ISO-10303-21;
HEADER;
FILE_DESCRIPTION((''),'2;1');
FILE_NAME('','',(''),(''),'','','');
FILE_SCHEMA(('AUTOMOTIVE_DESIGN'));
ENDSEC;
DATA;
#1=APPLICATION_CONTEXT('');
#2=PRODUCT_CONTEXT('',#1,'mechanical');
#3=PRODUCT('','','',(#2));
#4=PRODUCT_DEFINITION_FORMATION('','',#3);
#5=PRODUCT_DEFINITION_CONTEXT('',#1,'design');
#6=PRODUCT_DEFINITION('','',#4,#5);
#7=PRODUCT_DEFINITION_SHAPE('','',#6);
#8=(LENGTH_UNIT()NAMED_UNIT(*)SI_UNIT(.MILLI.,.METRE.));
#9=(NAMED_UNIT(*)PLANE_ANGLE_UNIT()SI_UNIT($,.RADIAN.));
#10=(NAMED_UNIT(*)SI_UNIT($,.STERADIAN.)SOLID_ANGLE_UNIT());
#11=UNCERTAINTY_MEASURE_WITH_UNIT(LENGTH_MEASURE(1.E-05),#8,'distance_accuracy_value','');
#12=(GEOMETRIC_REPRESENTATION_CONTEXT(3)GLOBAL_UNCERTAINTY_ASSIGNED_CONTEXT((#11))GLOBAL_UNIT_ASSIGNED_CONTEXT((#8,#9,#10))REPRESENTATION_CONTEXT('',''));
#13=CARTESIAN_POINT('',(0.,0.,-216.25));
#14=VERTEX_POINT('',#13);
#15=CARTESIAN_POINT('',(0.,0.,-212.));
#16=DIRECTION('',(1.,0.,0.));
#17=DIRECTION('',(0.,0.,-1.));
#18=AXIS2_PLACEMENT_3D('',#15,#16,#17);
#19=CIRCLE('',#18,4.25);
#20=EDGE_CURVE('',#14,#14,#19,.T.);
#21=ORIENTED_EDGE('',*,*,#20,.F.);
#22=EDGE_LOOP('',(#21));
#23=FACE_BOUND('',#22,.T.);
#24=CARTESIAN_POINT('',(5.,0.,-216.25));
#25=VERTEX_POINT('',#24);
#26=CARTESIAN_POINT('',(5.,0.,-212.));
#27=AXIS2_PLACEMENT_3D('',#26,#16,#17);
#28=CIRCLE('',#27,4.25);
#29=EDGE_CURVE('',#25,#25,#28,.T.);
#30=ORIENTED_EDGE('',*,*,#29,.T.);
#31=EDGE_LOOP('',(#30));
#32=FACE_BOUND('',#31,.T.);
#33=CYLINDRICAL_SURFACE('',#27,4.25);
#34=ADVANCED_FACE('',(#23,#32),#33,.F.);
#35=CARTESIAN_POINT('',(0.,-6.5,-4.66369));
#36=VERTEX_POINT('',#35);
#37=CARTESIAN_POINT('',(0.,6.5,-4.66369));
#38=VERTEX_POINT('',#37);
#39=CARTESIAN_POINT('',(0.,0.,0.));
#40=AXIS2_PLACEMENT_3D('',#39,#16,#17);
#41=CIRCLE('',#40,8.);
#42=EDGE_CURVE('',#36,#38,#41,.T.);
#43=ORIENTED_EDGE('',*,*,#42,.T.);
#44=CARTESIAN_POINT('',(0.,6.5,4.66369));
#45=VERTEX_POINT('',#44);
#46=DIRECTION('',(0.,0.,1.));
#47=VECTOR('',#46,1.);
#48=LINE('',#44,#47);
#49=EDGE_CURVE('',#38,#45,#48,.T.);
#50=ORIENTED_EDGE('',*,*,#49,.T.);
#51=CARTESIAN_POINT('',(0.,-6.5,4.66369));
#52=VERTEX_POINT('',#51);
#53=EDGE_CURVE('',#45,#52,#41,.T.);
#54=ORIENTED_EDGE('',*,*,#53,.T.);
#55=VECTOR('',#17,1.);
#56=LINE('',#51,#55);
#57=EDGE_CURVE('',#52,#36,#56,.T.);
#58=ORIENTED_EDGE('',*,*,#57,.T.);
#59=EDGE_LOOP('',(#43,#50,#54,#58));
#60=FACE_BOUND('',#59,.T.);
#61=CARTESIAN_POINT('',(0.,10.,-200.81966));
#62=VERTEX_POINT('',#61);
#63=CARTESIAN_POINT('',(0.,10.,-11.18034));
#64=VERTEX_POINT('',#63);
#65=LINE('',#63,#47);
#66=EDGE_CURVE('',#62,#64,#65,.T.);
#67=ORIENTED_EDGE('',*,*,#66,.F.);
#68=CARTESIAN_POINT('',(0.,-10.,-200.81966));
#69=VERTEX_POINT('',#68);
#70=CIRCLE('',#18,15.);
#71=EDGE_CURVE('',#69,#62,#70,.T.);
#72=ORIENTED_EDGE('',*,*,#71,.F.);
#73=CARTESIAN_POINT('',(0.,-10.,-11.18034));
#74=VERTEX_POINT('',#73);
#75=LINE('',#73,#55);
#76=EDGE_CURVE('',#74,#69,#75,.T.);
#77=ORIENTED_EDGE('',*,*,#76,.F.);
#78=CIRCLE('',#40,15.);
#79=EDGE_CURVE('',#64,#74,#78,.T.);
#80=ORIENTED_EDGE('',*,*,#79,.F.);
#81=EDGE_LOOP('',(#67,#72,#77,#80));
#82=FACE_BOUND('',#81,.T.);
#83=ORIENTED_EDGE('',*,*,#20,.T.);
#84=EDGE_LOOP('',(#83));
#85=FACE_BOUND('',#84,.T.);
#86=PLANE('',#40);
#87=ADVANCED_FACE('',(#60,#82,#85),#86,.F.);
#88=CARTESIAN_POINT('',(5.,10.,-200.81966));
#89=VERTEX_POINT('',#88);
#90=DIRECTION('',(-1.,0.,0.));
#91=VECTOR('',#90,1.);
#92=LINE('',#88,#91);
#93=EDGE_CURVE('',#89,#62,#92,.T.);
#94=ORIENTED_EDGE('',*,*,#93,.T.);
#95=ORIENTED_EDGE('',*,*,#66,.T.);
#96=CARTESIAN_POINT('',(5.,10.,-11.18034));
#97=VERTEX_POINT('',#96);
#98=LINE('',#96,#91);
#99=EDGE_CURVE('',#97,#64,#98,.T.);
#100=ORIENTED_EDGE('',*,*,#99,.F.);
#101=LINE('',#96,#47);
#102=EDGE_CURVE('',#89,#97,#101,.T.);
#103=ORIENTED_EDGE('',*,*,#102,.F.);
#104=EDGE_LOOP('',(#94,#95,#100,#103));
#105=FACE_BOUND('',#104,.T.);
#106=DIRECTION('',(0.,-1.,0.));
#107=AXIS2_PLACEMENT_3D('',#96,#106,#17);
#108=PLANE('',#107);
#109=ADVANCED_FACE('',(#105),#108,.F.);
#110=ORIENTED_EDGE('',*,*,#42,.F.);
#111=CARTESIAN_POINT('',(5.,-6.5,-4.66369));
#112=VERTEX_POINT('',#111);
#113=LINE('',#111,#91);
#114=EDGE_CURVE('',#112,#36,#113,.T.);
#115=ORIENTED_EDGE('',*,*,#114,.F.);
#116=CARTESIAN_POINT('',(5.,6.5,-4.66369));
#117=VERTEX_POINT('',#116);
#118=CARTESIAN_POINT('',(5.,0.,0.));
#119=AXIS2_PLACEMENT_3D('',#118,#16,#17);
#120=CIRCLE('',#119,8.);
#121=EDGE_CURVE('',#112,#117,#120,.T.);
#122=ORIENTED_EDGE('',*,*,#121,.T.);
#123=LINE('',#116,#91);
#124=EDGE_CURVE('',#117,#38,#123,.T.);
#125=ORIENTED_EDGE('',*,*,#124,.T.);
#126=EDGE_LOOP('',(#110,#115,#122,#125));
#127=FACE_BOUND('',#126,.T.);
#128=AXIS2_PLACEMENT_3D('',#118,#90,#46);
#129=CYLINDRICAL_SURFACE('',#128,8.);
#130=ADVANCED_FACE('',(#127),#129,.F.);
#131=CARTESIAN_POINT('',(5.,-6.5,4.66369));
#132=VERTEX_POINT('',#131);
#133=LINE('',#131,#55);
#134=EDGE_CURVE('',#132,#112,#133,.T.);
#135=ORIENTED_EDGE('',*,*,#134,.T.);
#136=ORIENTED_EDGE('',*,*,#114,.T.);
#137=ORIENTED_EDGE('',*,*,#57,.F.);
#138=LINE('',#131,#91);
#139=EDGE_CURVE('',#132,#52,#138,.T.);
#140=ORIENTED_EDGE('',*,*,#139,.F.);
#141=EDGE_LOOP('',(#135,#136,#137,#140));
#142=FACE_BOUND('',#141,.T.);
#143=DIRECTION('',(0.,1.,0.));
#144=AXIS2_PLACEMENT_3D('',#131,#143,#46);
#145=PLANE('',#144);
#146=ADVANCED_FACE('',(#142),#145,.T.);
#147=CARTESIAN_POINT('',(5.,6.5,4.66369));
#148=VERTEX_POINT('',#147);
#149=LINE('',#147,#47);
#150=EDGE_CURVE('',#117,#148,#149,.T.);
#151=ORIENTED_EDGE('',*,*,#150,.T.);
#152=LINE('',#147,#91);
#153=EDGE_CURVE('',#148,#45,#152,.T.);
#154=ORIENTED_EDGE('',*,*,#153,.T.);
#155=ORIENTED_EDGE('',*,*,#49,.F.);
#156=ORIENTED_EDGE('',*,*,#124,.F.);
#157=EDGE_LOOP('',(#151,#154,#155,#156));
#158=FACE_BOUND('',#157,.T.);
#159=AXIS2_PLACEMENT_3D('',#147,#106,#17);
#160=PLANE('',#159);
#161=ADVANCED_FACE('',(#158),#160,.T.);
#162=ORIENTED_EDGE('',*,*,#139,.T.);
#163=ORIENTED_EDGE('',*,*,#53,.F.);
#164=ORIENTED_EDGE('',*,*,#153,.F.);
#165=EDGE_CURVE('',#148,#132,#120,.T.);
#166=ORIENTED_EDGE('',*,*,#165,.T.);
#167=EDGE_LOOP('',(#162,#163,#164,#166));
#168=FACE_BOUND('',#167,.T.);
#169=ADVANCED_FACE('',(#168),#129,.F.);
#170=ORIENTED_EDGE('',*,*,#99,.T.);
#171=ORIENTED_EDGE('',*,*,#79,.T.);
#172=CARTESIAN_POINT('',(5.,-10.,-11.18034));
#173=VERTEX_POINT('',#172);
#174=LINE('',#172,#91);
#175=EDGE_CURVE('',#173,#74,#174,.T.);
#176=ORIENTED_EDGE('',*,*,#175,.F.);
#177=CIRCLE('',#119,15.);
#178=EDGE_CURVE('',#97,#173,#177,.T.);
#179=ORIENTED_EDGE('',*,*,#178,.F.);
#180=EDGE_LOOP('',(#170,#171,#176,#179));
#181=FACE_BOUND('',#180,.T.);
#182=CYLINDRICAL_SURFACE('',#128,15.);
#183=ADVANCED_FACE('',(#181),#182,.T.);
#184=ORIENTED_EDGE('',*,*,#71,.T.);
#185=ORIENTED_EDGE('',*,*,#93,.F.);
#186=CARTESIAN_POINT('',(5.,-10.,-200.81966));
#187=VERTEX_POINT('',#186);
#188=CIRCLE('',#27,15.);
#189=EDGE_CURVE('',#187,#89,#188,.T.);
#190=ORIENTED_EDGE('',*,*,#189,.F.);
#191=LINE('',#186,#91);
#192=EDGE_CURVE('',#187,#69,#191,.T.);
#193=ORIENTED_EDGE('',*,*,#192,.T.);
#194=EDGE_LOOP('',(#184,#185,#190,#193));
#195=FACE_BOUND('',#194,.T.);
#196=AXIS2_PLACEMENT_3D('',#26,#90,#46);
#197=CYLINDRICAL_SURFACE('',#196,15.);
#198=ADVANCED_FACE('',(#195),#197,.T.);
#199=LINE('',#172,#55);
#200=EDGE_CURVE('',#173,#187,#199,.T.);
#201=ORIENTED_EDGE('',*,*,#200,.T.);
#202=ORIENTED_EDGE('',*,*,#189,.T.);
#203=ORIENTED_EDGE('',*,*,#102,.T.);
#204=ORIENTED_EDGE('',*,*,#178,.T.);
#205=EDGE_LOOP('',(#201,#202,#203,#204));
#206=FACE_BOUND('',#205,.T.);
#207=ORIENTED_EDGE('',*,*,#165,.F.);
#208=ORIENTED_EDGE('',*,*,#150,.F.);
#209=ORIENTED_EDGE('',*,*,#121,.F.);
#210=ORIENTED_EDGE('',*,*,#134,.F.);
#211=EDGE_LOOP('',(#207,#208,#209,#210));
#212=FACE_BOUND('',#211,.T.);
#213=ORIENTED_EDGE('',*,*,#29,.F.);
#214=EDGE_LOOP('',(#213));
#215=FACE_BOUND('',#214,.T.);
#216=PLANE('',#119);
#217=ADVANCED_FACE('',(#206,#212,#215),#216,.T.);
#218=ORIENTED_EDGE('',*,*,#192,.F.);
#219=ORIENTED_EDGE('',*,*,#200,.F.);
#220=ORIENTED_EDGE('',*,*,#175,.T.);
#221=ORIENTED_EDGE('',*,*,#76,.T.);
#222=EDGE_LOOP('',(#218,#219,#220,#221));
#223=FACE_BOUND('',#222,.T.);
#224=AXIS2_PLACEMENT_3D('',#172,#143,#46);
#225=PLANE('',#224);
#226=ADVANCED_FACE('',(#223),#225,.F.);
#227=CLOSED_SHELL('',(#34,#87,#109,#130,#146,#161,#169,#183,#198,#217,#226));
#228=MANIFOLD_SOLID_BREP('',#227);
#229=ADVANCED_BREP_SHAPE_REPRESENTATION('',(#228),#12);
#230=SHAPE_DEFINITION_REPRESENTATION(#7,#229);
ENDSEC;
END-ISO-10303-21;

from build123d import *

# Parameters (mm, degrees)
BOSS_EXTRU_1_DEPTH = 5
TROU_TARAUD_M101_D = 8.5


with BuildPart() as part:
    # Esquisse1 → Boss.-Extru.1 (new body)
    with BuildSketch(Plane(origin=(0, 0, 0), x_dir=(0, 0, -1), z_dir=(1, 0, 0))):
        with BuildLine():
            Line((11.180339887, 10), (200.819660113, 10))
            ThreePointArc((200.819660113, 10), (227, 0), (200.819660113, -10))
            Line((200.819660113, -10), (11.180339887, -10))
            ThreePointArc((11.180339887, -10), (-15, 0), (11.180339887, 10))
        make_face()
        with BuildLine():
            Line((-4.663689527, -6.5), (4.663689527, -6.5))
            ThreePointArc((4.663689527, -6.5), (8, 0), (4.663689527, 6.5))
            Line((4.663689527, 6.5), (-4.663689527, 6.5))
            ThreePointArc((-4.663689527, 6.5), (-8, 0), (-4.663689527, -6.5))
        make_face(mode=Mode.SUBTRACT)
    extrude(amount=BOSS_EXTRU_1_DEPTH)

    # Trou taraudé M101 (through all)
    with Locations(Plane(origin=(5, 0, 0), x_dir=(0, 0, -1), z_dir=(1, 0, 0))):
        with Locations((212, 0)):
            Hole(TROU_TARAUD_M101_D / 2)


solid = part.part
